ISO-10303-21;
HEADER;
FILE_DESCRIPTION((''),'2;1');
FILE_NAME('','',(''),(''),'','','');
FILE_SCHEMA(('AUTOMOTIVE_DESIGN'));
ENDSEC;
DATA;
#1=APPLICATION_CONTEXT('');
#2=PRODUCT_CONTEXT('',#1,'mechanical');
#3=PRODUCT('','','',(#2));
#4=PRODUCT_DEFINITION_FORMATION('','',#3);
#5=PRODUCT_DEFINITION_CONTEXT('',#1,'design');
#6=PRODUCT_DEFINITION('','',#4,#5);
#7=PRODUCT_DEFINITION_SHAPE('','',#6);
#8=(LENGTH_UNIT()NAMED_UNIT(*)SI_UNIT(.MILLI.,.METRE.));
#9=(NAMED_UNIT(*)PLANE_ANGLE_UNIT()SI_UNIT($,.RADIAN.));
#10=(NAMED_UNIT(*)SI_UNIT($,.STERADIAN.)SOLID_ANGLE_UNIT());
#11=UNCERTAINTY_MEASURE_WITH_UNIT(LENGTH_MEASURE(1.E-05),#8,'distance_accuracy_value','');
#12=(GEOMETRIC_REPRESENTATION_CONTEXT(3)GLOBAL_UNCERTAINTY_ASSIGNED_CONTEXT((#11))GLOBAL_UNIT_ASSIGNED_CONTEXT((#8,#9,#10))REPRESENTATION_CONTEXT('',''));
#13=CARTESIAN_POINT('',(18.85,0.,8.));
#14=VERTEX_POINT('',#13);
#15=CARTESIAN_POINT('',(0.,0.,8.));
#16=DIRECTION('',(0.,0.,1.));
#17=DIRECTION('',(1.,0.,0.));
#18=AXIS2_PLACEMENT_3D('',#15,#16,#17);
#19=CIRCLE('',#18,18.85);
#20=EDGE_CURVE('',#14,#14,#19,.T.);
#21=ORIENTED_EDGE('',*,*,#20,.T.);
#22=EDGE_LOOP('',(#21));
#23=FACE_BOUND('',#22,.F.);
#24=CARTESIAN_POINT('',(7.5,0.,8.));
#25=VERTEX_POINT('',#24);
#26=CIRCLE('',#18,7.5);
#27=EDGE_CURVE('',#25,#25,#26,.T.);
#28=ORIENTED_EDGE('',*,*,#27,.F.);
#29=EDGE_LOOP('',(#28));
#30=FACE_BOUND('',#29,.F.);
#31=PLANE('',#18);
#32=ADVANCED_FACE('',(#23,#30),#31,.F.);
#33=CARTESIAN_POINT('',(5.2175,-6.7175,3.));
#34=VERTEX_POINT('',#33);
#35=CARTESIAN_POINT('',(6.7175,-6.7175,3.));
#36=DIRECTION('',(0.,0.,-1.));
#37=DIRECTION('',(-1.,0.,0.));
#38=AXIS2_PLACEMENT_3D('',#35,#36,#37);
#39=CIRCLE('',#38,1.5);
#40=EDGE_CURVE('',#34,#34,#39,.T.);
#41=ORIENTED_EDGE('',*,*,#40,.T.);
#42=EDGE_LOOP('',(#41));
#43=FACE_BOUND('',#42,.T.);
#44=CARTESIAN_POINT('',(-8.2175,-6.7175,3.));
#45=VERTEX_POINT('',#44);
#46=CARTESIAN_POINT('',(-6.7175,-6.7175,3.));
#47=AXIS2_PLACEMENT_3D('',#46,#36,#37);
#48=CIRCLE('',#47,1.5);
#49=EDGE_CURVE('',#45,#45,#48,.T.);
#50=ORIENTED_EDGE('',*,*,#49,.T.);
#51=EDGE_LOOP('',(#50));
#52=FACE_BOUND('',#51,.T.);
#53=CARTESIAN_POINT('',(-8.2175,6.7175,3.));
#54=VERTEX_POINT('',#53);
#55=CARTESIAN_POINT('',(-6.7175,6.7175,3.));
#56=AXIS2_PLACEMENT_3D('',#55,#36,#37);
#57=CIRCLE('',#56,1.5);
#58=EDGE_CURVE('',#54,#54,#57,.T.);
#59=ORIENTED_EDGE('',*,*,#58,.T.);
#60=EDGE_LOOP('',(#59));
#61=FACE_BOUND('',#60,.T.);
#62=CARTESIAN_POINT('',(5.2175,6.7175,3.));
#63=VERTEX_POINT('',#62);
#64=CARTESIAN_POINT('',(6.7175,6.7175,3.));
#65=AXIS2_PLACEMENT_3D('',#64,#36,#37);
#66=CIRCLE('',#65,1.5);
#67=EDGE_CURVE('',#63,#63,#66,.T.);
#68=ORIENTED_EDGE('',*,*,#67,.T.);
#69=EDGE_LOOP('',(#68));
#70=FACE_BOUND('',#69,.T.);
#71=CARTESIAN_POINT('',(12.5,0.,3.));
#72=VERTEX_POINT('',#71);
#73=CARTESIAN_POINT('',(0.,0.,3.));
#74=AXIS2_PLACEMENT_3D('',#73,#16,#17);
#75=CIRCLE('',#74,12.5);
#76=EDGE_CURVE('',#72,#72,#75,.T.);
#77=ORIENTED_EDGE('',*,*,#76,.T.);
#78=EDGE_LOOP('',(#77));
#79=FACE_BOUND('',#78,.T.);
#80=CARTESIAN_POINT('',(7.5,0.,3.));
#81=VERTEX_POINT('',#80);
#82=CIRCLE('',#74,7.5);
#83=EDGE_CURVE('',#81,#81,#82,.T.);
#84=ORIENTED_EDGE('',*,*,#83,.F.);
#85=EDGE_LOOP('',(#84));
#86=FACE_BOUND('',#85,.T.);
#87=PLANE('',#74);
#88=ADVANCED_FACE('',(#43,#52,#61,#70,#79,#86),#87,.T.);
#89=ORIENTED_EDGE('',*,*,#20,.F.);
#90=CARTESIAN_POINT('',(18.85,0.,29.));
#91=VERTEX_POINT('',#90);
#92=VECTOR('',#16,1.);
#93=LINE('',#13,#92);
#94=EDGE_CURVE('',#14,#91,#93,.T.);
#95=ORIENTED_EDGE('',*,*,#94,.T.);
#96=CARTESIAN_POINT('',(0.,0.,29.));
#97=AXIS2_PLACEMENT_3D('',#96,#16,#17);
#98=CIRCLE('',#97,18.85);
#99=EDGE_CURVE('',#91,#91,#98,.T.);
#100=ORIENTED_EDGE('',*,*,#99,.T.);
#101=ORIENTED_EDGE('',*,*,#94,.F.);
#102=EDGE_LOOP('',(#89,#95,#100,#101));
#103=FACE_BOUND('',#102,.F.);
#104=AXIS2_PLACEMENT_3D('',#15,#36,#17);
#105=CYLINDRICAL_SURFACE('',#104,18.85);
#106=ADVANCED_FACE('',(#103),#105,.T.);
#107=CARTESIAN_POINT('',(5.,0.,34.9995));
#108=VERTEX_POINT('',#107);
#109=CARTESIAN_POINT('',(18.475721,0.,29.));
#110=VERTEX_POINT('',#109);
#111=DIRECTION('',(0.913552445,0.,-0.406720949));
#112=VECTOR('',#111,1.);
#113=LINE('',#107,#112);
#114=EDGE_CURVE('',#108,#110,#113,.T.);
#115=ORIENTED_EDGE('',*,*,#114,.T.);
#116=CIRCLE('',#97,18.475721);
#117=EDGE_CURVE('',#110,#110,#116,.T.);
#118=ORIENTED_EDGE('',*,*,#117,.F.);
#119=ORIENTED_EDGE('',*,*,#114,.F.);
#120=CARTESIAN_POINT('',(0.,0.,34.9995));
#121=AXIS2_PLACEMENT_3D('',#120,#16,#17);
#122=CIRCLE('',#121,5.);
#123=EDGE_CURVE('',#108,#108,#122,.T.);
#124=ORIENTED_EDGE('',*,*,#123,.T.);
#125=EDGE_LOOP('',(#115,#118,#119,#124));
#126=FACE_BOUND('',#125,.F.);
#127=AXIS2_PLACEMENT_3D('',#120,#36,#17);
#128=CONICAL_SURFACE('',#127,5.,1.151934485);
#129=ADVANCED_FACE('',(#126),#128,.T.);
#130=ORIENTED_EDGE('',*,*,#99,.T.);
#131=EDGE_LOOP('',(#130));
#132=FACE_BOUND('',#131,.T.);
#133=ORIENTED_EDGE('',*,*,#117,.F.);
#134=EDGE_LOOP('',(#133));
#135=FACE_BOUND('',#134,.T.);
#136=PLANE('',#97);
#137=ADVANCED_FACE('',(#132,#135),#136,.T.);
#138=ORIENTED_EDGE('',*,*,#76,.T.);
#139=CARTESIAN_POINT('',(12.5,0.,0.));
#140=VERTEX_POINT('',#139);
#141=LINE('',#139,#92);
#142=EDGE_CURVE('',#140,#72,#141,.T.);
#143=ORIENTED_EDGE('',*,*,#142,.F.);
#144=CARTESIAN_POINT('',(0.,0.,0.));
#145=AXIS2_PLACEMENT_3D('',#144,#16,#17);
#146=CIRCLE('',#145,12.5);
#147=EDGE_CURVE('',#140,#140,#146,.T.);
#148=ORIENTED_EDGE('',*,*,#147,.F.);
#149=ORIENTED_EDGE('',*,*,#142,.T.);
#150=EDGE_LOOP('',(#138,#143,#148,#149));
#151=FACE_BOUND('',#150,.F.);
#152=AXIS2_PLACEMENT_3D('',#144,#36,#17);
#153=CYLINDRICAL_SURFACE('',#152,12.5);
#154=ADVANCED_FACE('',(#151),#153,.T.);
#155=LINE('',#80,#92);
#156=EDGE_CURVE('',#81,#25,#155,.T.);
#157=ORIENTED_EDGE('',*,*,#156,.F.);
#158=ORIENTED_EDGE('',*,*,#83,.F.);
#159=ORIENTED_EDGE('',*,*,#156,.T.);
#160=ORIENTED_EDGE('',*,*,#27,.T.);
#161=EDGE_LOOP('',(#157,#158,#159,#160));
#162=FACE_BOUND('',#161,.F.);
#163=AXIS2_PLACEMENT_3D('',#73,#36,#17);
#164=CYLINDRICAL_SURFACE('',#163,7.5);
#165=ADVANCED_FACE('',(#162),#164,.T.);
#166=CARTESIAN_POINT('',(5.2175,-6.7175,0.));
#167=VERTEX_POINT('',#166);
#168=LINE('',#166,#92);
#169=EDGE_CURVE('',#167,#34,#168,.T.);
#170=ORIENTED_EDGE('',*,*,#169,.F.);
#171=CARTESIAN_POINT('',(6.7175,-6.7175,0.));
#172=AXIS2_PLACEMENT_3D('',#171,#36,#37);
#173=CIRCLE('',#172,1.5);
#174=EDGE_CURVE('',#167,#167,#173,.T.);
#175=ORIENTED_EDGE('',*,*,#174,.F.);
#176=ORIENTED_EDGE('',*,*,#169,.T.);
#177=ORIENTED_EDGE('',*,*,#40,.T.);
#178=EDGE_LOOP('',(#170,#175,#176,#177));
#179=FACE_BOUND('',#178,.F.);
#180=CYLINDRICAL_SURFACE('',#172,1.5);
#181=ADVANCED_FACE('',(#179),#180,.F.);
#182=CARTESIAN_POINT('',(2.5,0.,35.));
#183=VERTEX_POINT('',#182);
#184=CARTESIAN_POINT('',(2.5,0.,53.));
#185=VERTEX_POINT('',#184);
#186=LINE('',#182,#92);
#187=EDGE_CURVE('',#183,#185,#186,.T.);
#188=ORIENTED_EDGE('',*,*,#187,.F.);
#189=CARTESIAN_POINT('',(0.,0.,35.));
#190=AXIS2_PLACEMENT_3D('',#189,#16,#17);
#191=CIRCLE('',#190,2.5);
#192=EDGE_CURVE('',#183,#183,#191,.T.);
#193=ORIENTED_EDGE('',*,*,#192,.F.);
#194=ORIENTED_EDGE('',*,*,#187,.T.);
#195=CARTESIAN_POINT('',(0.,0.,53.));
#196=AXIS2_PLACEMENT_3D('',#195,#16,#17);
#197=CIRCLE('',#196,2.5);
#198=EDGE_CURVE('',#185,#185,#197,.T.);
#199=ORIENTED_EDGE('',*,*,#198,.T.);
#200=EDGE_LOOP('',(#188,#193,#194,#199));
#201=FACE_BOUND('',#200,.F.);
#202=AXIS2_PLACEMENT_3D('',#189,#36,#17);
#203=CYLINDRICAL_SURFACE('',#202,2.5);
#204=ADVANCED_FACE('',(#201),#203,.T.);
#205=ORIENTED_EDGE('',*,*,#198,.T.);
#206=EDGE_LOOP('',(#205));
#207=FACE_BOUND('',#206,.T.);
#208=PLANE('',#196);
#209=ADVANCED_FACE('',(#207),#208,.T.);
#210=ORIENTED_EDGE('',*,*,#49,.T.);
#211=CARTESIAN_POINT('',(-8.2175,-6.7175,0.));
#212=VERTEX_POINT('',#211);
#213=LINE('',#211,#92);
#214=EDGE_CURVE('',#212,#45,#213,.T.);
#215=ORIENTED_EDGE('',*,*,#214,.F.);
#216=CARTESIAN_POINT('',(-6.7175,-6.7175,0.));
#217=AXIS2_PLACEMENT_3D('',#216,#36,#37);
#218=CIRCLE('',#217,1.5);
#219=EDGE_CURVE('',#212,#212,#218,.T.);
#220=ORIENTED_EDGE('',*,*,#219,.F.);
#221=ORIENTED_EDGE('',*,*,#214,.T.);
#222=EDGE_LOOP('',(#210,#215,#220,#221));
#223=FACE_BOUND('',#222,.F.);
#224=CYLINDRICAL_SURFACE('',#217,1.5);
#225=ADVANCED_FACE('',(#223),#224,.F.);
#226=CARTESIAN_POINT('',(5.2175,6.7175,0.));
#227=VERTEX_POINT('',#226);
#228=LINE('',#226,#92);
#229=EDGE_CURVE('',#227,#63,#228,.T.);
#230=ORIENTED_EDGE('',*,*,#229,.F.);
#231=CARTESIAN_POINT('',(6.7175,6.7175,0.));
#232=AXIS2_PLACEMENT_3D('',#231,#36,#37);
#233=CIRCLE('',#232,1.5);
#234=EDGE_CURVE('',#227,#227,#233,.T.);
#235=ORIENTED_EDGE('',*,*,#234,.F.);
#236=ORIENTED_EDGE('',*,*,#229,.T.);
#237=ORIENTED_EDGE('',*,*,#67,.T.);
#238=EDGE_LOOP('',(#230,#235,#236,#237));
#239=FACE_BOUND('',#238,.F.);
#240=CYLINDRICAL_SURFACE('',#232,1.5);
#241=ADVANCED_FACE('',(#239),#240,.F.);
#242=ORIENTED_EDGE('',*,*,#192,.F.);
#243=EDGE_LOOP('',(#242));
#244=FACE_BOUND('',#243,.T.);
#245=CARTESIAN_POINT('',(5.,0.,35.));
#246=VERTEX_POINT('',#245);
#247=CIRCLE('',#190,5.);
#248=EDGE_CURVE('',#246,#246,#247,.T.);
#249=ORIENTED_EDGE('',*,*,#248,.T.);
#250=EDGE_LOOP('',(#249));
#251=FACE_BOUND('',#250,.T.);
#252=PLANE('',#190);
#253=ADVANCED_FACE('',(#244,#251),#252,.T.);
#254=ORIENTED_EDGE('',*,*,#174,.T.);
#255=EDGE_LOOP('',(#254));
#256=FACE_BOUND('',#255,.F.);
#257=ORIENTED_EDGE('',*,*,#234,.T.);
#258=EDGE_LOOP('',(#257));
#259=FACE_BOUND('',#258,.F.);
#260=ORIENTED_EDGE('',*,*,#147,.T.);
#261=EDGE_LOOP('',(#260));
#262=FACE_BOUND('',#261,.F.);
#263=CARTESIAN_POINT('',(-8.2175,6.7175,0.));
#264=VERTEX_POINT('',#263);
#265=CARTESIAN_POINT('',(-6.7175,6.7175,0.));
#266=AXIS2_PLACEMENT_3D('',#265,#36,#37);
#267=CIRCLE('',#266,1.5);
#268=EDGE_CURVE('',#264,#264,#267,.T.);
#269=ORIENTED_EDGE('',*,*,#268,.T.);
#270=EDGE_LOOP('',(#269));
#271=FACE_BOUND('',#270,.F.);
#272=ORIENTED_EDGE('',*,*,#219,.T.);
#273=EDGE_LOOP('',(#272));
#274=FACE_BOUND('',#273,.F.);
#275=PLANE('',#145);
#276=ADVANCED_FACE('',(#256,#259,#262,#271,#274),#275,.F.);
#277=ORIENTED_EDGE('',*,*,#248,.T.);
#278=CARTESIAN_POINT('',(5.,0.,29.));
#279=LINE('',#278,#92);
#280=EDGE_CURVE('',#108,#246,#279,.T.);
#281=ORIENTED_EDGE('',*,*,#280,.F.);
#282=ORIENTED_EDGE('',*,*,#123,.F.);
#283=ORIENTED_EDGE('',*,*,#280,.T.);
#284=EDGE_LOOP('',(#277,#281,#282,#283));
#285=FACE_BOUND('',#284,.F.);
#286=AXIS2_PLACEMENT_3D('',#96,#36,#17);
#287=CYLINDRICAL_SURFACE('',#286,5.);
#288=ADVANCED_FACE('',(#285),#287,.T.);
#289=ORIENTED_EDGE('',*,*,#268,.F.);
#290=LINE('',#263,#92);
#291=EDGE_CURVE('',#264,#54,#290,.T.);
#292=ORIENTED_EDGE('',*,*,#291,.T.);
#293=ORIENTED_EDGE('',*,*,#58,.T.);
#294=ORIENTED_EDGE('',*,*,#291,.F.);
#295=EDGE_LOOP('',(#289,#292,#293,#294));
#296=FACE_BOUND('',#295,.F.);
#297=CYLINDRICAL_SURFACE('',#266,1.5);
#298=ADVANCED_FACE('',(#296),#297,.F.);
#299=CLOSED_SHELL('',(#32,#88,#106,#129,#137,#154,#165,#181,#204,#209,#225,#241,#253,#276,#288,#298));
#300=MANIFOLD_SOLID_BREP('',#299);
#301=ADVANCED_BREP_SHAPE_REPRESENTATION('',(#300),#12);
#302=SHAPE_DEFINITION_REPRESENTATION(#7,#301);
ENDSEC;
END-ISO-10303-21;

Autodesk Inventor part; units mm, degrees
ref_plane "YZ Plane" through (0, 0, 0) normal (1, 0, 0) x (0, 1, 0)
ref_plane "XZ Plane" through (0, 0, 0) normal (0, 1, 0) x (-1, 0, 0)
ref_plane "XY Plane" through (0, 0, 0) normal (0, 0, 1) x (1, 0, 0)
sketch "Эскиз1" plane through (0, 0, 0) normal (0, 0, 1) x (1, 0, 0)
  circle A0 centre (0, 0) radius 12.5
  dimension "d0" = 25
extrude "Выдавливание1" add sketch "Эскиз1" along normal blind 3
sketch "Эскиз2" plane through (0, 0, 3) normal (0, 0, 1) x (1, 0, 0)
  circle A0 centre (0, 0) radius 7.5
  dimension "d3" = 15
extrude "Выдавливание2" add sketch "Эскиз2" along normal blind 5
sketch "Эскиз3" plane through (0, 0, 8) normal (0, 0, 1) x (1, 0, 0)
  circle A0 centre (0, 0) radius 18.85
  dimension "d6" = 37.7
extrude "Выдавливание3" add sketch "Эскиз3" along normal blind 21
sketch "Эскиз4" plane through (0, 0, 29) normal (0, 0, 1) x (1, 0, 0)
  circle A0 centre (0, 0) radius 5
  dimension "d9" = 10
extrude "Выдавливание4" add sketch "Эскиз4" along normal blind 6
chamfer "Фаска1" distance 6 angle 66 1 edges at (-5, 0, 29) measured on face at (4.9353, -0.8021, 33)
sketch "Эскиз5" plane through (0, 0, 35) normal (0, 0, 1) x (1, 0, 0)
  circle A0 centre (0, 0) radius 2.5
  dimension "d15" = 5
extrude "Выдавливание5" add sketch "Эскиз5" along normal blind 18
sketch "Эскиз6" plane through (0, 0, 0) normal (0, 0, -1) x (-1, 0, 0)
  circle A0 centre (0, 0) radius 9.5 construction
  circle A1 centre (0, 0) radius 12.5 construction
  line L0 (6.7175, -6.7175) -> (-6.7175, -6.7175) construction
  line L1 (-6.7175, -6.7175) -> (-6.7175, 6.7175) construction
  line L2 (-6.7175, 6.7175) -> (6.7175, 6.7175) construction
  line L3 (6.7175, 6.7175) -> (6.7175, -6.7175) construction
  line L4 (6.7175, -6.7175) -> (-6.7175, 6.7175) construction
  line L5 (-6.7175, -6.7175) -> (6.7175, 6.7175) construction
  circle A2 centre (6.7175, -6.7175) radius 1.5
  circle A3 centre (-6.7175, -6.7175) radius 1.5
  circle A4 centre (-6.7175, 6.7175) radius 1.5
  circle A5 centre (6.7175, 6.7175) radius 1.5
  dimension "d20" = 19
  dimension "d21" = 3
  dimension "d22" = 3
  dimension "d23" = 3
  dimension "d24" = 3
extrude "Выдавливание6" cut sketch "Эскиз6" against normal blind 5
properties part number "Двигатель 3115"
